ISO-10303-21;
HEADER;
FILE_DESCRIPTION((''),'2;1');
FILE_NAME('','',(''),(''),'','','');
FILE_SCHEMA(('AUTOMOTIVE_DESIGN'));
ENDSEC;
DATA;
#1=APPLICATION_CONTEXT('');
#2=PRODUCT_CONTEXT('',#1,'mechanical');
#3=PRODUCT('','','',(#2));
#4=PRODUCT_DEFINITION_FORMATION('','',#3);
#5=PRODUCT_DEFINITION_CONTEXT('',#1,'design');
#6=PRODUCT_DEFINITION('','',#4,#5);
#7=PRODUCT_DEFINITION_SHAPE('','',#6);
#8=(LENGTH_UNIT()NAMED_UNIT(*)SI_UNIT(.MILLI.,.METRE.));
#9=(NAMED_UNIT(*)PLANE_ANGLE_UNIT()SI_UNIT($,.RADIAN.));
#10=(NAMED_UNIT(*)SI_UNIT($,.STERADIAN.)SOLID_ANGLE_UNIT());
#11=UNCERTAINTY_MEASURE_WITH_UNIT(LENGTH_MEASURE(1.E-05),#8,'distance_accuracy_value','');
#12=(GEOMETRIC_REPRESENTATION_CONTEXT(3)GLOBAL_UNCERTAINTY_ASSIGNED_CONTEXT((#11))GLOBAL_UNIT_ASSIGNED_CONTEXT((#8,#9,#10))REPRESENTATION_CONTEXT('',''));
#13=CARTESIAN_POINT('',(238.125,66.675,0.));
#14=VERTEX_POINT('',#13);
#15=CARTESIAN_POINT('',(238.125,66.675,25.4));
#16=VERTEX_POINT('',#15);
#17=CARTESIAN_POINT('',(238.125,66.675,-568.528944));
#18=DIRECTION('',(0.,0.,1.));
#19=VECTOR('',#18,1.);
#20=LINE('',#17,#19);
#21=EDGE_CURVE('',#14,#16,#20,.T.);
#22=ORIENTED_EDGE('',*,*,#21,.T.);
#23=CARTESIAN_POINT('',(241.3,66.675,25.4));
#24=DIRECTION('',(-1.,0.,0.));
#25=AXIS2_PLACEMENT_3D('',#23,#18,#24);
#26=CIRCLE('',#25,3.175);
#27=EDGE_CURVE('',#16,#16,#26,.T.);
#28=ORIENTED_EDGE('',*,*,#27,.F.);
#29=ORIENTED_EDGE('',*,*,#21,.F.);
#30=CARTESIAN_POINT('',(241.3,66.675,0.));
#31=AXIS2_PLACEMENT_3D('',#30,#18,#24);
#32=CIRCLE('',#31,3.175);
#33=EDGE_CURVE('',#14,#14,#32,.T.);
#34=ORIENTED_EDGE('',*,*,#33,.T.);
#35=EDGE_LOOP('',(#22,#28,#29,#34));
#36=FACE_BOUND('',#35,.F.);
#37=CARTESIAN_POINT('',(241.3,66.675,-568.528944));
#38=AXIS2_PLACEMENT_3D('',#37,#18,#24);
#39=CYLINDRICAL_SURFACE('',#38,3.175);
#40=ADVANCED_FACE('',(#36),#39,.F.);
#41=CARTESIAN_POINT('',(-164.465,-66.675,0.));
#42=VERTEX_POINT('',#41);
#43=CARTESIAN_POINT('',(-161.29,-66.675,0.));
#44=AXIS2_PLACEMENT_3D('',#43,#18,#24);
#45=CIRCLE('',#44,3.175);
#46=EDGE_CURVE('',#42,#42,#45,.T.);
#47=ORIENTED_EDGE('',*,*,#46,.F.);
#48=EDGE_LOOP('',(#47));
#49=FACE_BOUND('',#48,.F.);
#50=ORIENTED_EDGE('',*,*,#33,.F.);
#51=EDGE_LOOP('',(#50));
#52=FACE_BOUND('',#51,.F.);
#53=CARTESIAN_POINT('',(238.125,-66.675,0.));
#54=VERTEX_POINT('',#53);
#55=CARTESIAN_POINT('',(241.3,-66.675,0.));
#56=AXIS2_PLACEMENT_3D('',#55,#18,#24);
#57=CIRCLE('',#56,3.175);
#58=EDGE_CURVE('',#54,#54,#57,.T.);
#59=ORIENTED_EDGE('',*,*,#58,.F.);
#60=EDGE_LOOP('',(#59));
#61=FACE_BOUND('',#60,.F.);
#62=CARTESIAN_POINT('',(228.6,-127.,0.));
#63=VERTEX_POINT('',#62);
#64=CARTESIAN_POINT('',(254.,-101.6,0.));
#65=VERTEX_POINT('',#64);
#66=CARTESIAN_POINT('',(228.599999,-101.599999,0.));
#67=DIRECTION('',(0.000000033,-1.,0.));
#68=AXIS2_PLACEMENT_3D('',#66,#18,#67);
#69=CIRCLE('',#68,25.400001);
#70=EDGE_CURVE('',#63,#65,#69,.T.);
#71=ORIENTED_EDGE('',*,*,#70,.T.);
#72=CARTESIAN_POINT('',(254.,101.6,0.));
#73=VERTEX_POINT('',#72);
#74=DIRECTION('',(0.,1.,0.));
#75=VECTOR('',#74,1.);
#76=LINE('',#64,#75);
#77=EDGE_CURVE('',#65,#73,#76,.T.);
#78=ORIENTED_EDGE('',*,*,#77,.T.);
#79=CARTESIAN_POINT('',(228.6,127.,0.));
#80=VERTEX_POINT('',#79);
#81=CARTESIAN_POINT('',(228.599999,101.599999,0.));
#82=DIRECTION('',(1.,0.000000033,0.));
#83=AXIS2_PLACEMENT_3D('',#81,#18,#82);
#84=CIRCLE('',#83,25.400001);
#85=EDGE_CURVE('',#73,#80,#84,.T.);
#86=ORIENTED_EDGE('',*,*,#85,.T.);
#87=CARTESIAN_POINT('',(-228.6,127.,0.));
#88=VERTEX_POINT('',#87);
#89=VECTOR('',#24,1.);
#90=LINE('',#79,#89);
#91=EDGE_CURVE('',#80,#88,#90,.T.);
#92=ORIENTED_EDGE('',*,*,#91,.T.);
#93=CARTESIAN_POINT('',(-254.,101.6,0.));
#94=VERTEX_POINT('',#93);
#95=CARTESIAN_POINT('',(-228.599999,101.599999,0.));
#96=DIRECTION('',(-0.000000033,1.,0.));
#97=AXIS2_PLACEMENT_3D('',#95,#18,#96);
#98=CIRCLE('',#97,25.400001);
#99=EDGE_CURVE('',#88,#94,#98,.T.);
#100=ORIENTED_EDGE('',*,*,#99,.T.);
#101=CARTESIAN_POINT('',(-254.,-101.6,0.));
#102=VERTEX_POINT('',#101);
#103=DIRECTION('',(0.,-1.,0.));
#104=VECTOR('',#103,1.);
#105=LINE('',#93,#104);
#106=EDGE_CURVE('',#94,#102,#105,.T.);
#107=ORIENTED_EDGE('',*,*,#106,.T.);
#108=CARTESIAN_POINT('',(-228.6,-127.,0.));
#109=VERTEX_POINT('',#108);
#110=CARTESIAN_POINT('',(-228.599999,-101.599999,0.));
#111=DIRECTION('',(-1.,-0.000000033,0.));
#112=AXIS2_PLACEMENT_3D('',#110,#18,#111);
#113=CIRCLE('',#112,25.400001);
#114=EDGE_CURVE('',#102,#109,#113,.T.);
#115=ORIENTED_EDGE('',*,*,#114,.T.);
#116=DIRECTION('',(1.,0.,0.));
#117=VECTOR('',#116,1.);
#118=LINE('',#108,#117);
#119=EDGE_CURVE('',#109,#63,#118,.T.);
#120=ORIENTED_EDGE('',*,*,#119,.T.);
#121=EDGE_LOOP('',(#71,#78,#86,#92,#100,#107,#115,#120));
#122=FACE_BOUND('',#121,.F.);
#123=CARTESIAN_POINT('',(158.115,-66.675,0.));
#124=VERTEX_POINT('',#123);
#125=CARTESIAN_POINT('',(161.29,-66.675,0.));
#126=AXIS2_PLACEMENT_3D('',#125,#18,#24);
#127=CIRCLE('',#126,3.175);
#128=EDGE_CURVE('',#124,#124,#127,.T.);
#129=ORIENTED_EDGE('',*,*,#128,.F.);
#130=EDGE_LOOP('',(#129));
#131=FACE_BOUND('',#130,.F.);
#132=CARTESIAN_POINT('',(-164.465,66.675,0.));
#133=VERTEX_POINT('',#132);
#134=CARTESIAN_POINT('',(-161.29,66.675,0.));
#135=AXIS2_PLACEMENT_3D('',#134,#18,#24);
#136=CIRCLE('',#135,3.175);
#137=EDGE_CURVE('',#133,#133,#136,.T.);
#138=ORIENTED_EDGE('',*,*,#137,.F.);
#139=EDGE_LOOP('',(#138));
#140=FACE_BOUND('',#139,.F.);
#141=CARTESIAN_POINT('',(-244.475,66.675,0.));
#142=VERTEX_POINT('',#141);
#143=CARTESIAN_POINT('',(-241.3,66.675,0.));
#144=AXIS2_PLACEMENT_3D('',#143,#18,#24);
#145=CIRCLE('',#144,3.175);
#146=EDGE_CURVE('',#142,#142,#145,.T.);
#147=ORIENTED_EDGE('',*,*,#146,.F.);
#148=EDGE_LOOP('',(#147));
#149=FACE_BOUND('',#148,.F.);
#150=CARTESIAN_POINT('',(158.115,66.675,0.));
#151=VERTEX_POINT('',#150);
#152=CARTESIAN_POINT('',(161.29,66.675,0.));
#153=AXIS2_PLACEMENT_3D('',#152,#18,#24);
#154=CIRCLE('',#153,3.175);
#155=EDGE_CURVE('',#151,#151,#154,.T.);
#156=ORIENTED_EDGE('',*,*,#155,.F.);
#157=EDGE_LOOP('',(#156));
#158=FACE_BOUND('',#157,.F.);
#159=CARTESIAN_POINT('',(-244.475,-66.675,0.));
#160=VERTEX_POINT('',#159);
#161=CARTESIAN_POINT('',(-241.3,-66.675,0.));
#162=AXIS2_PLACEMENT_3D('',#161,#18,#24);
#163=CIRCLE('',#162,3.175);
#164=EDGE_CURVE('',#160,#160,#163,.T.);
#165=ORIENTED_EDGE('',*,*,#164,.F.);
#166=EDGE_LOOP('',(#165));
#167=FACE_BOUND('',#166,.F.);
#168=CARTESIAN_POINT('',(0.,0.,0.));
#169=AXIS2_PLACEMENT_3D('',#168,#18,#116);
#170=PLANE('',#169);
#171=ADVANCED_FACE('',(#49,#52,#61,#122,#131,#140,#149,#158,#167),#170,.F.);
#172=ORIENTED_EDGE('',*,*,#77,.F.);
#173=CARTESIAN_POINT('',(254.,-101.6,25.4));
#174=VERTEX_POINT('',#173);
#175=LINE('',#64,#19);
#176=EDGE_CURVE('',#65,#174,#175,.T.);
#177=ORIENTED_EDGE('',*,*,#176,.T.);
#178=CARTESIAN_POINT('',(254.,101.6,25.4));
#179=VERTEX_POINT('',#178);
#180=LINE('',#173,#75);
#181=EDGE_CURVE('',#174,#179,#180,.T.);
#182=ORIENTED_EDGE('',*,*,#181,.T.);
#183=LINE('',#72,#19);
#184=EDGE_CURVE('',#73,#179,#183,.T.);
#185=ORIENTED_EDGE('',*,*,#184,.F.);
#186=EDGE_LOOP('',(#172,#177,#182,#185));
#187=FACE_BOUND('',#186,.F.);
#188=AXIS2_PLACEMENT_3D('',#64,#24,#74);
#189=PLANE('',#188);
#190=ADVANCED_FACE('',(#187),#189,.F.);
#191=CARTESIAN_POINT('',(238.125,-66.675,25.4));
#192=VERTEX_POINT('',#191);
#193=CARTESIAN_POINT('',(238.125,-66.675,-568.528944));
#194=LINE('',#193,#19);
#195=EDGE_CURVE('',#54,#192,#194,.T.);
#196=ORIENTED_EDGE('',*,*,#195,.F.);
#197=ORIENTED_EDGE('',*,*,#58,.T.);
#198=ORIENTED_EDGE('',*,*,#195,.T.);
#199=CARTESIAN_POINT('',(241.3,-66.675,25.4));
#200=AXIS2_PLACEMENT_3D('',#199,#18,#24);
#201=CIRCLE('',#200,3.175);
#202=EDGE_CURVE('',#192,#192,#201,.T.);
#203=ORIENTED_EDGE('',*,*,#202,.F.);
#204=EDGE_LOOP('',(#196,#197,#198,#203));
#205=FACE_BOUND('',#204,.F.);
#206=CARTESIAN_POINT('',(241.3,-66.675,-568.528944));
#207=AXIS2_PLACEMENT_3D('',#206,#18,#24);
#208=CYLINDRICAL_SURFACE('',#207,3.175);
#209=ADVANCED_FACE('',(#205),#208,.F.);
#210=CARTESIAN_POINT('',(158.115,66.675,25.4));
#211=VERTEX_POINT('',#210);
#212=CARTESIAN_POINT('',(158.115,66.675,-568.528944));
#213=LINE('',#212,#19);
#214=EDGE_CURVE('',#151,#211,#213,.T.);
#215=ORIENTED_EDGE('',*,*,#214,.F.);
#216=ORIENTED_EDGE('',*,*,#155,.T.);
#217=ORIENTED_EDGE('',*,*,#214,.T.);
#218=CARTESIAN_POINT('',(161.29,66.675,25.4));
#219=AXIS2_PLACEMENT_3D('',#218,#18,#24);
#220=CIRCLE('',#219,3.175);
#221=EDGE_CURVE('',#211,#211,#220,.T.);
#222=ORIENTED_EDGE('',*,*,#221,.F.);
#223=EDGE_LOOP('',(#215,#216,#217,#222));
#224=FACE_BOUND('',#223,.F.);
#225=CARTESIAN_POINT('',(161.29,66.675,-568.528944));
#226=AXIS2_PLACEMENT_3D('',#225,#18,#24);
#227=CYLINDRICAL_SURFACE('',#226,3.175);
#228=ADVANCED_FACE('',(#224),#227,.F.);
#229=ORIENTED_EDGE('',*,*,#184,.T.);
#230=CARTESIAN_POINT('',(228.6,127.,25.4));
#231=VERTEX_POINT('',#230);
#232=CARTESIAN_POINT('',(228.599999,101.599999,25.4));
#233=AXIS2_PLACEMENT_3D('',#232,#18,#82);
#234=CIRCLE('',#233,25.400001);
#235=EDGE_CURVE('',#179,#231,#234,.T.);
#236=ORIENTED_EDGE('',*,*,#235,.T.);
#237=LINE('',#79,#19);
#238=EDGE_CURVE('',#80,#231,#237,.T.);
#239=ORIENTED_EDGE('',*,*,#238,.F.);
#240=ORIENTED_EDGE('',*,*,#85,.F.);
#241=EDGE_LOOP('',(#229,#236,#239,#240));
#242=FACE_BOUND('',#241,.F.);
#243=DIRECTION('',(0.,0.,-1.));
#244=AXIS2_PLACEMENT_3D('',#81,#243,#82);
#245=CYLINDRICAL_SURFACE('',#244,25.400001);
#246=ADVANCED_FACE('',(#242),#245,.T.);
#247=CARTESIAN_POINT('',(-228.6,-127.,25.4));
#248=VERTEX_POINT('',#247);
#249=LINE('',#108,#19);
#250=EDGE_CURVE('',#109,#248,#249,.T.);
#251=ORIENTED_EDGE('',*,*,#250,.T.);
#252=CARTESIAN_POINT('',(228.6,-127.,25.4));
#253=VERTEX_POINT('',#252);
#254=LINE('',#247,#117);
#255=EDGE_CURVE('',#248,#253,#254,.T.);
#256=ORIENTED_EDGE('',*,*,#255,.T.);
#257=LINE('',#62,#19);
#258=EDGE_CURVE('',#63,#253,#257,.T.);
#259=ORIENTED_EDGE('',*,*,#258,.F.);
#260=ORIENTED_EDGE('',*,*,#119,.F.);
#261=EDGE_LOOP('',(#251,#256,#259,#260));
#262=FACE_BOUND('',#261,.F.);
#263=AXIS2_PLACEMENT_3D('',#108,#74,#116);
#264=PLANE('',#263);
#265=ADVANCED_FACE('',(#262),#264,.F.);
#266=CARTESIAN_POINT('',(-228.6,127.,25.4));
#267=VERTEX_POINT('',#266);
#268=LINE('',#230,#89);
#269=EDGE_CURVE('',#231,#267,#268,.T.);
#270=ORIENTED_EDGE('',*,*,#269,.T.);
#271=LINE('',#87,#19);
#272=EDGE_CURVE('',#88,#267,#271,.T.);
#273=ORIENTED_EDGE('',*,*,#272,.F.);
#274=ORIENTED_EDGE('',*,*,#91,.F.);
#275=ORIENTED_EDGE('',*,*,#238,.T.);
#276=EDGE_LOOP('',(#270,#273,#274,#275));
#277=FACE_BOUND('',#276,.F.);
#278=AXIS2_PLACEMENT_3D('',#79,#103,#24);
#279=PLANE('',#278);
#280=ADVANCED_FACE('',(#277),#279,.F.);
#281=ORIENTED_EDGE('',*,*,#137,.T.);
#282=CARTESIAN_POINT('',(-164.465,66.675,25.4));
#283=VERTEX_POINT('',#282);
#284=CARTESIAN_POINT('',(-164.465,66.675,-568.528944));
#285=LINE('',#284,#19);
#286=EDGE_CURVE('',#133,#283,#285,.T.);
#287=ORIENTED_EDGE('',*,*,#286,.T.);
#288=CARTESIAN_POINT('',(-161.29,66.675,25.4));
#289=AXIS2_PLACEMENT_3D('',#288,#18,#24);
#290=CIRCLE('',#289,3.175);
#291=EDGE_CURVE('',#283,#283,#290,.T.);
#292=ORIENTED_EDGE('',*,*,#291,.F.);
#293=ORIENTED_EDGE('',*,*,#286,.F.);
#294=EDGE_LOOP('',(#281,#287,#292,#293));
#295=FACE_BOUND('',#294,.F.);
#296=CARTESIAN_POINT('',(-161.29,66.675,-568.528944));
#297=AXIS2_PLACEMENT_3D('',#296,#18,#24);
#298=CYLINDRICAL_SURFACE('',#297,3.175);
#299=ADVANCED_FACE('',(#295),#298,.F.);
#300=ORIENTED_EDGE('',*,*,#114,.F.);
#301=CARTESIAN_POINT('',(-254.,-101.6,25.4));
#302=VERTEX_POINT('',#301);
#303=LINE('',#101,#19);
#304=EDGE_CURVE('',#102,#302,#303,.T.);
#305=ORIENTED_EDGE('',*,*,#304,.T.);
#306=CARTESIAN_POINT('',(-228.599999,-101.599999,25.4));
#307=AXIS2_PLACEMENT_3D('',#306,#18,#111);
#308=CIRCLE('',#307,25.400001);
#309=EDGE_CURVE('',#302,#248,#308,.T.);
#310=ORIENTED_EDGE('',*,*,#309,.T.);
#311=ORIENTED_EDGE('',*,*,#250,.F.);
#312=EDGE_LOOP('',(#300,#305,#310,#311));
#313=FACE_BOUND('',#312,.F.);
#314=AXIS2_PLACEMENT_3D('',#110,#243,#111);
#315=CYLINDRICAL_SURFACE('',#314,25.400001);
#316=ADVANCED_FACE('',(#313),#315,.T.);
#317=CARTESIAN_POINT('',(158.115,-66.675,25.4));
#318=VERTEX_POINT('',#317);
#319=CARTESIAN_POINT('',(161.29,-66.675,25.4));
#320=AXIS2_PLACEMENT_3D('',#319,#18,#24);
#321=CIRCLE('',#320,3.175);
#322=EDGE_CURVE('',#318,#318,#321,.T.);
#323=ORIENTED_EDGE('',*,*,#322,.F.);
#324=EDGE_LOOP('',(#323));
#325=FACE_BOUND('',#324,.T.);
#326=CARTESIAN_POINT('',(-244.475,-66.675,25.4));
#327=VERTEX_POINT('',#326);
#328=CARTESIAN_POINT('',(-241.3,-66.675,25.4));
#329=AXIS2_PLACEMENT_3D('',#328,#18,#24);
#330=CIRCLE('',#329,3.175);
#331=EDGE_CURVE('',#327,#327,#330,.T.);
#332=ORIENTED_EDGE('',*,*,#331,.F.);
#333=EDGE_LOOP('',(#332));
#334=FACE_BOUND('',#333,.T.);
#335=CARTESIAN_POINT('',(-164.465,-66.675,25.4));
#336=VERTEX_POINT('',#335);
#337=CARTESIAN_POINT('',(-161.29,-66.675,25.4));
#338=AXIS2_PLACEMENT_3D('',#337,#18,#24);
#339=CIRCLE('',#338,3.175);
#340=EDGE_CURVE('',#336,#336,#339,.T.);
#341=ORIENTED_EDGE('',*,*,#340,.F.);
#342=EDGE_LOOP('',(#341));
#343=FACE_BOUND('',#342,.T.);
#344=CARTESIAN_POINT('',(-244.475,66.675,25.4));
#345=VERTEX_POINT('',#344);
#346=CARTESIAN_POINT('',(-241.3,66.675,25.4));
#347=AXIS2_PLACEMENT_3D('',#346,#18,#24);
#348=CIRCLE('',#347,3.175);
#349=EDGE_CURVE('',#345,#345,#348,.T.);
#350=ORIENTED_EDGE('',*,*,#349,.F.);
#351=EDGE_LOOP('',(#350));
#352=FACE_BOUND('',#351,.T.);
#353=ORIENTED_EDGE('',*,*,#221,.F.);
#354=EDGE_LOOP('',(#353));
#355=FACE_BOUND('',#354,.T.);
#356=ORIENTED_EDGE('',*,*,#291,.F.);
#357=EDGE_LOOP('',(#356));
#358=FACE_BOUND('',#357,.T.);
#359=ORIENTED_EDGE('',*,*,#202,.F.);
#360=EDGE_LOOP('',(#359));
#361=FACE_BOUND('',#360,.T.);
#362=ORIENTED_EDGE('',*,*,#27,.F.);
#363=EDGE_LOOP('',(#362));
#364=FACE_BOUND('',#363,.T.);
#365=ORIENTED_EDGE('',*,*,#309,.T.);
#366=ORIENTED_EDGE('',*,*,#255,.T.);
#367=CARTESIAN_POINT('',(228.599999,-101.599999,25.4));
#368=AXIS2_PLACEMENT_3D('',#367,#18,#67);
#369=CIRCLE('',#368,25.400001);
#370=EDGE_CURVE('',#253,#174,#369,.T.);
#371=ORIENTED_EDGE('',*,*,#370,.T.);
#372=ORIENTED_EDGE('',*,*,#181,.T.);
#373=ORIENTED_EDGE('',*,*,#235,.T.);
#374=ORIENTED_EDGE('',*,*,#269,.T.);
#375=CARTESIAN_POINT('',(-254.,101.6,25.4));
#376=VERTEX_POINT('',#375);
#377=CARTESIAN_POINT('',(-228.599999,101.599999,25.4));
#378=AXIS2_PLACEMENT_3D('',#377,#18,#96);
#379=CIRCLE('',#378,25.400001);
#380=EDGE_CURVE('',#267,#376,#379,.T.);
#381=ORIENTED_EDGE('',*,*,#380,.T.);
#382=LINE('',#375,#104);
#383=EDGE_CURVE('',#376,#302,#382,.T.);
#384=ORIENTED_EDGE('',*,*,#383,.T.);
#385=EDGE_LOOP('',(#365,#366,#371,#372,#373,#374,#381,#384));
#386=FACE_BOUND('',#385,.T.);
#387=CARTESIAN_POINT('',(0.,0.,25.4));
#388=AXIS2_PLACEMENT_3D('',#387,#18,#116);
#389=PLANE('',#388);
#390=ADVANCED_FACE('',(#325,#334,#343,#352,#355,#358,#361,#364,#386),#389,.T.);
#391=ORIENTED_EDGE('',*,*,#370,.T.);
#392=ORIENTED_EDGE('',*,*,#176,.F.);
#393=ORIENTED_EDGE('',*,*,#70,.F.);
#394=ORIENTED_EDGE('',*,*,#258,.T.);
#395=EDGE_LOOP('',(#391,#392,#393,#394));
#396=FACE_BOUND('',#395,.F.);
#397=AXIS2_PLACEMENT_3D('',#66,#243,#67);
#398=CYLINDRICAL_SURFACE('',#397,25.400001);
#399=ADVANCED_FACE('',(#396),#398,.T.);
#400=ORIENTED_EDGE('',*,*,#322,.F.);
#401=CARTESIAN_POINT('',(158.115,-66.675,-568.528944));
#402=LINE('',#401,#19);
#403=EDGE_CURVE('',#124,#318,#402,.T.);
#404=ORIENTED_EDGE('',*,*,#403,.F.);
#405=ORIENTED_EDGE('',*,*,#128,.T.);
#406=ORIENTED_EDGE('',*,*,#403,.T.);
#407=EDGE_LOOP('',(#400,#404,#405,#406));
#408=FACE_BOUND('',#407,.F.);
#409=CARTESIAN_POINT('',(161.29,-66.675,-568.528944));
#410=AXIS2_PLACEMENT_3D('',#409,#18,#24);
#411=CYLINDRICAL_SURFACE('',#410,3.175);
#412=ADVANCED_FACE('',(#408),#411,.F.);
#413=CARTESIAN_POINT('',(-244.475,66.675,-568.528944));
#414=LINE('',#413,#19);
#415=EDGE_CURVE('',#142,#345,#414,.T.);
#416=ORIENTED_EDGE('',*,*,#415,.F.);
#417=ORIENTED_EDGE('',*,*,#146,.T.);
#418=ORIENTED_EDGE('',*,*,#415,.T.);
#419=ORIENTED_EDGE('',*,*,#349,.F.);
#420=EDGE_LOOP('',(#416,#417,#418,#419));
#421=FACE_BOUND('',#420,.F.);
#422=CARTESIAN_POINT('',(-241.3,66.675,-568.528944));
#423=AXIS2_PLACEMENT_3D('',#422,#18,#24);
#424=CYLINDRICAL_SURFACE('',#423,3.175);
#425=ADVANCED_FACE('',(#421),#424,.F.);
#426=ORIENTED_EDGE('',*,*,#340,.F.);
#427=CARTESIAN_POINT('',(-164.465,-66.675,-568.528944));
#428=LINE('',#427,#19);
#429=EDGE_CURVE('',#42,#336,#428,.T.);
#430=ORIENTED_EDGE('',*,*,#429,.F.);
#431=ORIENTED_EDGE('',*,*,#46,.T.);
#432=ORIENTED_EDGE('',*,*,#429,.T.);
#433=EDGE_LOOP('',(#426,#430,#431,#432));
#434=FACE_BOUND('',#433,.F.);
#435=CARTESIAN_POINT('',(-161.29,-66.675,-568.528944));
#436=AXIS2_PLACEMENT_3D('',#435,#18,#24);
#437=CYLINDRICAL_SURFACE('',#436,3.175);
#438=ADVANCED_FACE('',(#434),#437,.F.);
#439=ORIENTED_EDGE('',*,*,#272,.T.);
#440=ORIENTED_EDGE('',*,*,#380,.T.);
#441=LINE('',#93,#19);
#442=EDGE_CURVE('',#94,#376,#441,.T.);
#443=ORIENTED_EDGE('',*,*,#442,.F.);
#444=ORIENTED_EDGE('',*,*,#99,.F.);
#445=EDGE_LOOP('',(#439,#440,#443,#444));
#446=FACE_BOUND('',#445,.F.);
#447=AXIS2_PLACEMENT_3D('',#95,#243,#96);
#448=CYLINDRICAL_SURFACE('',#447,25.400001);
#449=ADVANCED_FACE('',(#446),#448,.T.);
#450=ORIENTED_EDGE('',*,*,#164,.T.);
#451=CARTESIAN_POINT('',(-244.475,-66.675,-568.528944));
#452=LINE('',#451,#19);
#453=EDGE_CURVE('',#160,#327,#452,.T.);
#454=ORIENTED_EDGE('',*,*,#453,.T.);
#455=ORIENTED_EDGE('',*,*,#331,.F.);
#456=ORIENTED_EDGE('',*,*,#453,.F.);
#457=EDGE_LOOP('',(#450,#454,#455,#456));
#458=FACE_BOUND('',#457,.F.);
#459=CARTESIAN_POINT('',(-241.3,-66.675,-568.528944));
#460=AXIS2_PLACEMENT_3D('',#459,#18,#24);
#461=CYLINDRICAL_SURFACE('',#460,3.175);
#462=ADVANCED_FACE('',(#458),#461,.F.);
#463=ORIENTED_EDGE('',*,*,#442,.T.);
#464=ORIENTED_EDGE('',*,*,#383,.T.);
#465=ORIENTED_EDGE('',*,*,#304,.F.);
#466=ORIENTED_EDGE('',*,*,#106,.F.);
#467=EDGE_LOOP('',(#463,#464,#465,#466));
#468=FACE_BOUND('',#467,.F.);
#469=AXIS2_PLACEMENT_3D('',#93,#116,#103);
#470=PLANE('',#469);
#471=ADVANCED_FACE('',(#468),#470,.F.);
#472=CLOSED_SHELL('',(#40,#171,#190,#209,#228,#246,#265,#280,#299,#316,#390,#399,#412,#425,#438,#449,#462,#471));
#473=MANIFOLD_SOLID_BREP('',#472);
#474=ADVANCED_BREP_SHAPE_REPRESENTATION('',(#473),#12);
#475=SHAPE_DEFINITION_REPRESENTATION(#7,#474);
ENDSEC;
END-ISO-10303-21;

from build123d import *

# Parameters (mm, degrees)
F1_DEPTH = 25.4
F3_D     = 6.35


with BuildPart() as f1:
    # F0 (on Top) → F1 (new body)
    with BuildSketch(Plane.XY):
        with BuildLine():
            Line((-228.6, -127), (228.6, -127))
            ThreePointArc((228.6, -127), (246.560512, -119.560512), (254, -101.6))
            Line((254, -101.6), (254, 101.6))
            ThreePointArc((254, 101.6), (246.560512, 119.560512), (228.6, 127))
            Line((228.6, 127), (-228.6, 127))
            ThreePointArc((-228.6, 127), (-246.560512, 119.560512), (-254, 101.6))
            Line((-254, 101.6), (-254, -101.6))
            ThreePointArc((-254, -101.6), (-246.560512, -119.560512), (-228.6, -127))
        make_face()
    extrude(amount=F1_DEPTH)

    # F3 (through all)
    with Locations(Plane(origin=(0, 0, 0), x_dir=(1, 0, 0), z_dir=(0, 0, -1))):
        with Locations((-241.3, -66.675), (-161.29, -66.675), (-241.3, 66.675), (-161.29, 66.675), (161.29, 66.675), (241.3, 66.675), (241.3, -66.675), (161.29, -66.675)):
            Hole(F3_D / 2)


solid = f1.part
